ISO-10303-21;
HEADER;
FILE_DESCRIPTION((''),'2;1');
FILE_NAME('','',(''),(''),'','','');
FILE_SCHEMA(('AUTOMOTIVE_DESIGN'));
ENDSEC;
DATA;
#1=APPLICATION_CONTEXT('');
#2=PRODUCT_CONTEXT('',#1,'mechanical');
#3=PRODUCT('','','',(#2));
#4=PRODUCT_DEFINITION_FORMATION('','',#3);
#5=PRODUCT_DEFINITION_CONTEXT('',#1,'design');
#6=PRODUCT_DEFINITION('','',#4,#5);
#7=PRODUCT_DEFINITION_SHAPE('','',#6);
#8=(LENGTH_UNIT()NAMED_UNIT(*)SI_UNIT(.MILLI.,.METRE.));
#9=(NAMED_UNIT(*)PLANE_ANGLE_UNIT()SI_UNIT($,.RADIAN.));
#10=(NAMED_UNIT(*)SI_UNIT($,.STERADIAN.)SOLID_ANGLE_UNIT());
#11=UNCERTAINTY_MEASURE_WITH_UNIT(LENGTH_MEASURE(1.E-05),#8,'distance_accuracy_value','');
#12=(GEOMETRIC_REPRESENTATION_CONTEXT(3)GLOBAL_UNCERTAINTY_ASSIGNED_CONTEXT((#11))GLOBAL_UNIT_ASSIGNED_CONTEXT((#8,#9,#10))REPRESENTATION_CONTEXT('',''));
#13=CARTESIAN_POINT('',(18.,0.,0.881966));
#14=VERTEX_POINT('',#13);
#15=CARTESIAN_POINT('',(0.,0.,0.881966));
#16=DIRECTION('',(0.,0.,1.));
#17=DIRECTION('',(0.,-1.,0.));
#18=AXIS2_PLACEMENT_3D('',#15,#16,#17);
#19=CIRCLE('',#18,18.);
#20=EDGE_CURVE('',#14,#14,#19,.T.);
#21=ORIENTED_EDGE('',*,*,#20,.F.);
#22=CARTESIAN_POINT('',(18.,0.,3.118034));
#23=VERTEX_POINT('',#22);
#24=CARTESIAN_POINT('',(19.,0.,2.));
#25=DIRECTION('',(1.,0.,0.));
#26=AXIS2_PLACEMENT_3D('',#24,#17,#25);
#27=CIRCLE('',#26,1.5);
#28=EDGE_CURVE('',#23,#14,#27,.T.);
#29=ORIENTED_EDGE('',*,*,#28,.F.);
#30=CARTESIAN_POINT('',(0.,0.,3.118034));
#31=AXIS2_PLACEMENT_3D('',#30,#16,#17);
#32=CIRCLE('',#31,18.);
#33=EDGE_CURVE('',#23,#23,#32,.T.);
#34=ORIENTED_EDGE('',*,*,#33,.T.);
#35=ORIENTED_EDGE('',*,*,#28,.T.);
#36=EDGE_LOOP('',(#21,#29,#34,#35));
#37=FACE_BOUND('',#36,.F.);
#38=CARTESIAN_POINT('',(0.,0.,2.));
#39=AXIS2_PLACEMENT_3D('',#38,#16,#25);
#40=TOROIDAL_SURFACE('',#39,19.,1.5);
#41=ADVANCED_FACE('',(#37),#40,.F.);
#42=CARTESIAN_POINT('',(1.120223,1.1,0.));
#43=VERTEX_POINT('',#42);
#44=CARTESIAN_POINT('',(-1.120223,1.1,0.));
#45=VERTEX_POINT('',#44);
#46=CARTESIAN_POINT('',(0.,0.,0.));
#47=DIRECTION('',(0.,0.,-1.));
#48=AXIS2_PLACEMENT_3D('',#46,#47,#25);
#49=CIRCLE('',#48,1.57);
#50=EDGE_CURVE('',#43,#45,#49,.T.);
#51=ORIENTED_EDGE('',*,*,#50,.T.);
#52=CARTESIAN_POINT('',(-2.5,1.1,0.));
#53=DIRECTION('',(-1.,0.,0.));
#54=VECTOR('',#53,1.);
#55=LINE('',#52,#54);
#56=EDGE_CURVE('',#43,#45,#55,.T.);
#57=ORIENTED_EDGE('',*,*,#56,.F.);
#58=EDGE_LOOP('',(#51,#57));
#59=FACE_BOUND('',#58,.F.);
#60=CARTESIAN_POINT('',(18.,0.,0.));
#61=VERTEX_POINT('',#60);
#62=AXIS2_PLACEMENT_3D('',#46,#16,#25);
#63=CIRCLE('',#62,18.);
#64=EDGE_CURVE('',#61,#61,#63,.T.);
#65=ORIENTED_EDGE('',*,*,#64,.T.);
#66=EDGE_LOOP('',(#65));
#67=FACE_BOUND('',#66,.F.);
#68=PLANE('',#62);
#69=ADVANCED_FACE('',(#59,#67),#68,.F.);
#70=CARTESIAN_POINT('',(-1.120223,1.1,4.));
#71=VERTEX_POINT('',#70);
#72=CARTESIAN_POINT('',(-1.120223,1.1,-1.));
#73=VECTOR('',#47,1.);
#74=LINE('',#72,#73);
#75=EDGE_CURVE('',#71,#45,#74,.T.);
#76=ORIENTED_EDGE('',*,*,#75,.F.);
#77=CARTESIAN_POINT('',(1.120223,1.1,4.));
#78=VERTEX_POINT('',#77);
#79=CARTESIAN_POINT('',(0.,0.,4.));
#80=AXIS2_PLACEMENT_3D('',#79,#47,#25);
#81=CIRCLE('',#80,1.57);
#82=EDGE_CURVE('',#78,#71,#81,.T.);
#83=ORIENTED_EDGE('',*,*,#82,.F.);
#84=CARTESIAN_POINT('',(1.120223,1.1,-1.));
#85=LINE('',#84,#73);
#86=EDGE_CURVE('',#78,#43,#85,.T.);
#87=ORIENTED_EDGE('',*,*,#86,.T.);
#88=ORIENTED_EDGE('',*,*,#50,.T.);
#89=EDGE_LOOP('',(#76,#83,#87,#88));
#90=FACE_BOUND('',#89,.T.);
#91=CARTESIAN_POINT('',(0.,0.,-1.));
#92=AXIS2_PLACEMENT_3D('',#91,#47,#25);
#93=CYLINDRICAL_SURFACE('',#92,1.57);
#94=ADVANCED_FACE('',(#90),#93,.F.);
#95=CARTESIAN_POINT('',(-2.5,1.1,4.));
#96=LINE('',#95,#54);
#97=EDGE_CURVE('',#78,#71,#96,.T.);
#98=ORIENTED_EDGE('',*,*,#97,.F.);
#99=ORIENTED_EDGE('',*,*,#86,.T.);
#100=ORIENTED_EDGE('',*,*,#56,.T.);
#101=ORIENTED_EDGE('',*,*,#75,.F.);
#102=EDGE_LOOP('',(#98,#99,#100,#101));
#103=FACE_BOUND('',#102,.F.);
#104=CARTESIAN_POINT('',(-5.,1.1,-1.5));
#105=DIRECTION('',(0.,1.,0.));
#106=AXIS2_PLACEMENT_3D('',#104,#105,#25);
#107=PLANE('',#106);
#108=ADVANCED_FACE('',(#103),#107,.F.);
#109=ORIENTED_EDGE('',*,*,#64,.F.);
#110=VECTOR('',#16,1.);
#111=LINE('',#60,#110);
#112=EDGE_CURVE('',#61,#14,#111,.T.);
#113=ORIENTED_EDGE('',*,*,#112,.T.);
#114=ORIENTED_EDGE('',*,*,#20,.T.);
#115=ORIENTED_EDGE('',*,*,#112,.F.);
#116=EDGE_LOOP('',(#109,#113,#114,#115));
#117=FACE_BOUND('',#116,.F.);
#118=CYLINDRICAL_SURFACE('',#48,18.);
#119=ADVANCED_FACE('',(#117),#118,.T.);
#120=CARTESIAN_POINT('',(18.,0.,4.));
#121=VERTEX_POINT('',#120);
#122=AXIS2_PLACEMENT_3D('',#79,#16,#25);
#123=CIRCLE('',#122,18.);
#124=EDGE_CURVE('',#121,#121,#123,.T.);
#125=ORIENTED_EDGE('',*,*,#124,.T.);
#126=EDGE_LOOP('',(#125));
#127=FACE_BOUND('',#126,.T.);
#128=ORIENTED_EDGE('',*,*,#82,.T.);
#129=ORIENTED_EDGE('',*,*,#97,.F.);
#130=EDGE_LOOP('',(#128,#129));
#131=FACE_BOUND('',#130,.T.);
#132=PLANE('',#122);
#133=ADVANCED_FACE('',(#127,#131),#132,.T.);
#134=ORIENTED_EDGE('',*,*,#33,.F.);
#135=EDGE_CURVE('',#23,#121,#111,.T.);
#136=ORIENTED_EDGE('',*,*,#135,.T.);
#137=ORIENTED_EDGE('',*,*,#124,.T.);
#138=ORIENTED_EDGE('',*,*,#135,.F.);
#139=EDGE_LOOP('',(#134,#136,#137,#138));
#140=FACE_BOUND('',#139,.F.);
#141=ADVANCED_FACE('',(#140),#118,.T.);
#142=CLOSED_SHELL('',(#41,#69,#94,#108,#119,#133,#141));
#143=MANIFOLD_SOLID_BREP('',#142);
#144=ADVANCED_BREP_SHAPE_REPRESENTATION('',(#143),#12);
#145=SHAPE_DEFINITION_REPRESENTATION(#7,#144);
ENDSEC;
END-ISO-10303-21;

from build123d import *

# Parameters (mm, degrees)
TORUS002_R        = 1.5
BOX084016_W       = 10
BOX084016_H       = 10
BOX084016_DEPTH   = 12
CYLINDER028_R     = 1.57
CYLINDER028_DEPTH = 10
CYLINDER012_R     = 18
CYLINDER012_DEPTH = 4


with BuildPart() as torus002:
    # Torus002 → Torus002 (revolve)
    with BuildSketch(Plane(origin=(0, 0, 2), x_dir=(1, 0, 0), z_dir=(0, -1, 0))):
        with Locations((19, 0)):
            Circle(TORUS002_R)
    revolve(axis=Axis((0, 0, 2), (0, 0, 1)))


with BuildPart() as cube067:
    # Box084016 → Box084016 (new body)
    with BuildSketch(Plane(origin=(-5, 1.1, -1.5), x_dir=(1, 0, 0), z_dir=(0, 0, 1))):
        with Locations((5, 5)):
            Rectangle(BOX084016_W, BOX084016_H)
    extrude(amount=BOX084016_DEPTH)


with BuildPart() as cut057:
    # Cylinder028 → Cylinder028 (new body)
    with BuildSketch(Plane.XY.offset(-1)):
        Circle(CYLINDER028_R)
    extrude(amount=CYLINDER028_DEPTH)

    # Cut057: cut Cube067
    add(cube067.part, mode=Mode.SUBTRACT)


with BuildPart() as cut063:
    # Cylinder012 → Cylinder012 (new body)
    with BuildSketch(Plane.XY):
        Circle(CYLINDER012_R)
    extrude(amount=CYLINDER012_DEPTH)

    # Cut062: cut Cut057
    add(cut057.part, mode=Mode.SUBTRACT)

    # Cut063: cut Torus002
    add(torus002.part, mode=Mode.SUBTRACT)


solid = cut063.part
